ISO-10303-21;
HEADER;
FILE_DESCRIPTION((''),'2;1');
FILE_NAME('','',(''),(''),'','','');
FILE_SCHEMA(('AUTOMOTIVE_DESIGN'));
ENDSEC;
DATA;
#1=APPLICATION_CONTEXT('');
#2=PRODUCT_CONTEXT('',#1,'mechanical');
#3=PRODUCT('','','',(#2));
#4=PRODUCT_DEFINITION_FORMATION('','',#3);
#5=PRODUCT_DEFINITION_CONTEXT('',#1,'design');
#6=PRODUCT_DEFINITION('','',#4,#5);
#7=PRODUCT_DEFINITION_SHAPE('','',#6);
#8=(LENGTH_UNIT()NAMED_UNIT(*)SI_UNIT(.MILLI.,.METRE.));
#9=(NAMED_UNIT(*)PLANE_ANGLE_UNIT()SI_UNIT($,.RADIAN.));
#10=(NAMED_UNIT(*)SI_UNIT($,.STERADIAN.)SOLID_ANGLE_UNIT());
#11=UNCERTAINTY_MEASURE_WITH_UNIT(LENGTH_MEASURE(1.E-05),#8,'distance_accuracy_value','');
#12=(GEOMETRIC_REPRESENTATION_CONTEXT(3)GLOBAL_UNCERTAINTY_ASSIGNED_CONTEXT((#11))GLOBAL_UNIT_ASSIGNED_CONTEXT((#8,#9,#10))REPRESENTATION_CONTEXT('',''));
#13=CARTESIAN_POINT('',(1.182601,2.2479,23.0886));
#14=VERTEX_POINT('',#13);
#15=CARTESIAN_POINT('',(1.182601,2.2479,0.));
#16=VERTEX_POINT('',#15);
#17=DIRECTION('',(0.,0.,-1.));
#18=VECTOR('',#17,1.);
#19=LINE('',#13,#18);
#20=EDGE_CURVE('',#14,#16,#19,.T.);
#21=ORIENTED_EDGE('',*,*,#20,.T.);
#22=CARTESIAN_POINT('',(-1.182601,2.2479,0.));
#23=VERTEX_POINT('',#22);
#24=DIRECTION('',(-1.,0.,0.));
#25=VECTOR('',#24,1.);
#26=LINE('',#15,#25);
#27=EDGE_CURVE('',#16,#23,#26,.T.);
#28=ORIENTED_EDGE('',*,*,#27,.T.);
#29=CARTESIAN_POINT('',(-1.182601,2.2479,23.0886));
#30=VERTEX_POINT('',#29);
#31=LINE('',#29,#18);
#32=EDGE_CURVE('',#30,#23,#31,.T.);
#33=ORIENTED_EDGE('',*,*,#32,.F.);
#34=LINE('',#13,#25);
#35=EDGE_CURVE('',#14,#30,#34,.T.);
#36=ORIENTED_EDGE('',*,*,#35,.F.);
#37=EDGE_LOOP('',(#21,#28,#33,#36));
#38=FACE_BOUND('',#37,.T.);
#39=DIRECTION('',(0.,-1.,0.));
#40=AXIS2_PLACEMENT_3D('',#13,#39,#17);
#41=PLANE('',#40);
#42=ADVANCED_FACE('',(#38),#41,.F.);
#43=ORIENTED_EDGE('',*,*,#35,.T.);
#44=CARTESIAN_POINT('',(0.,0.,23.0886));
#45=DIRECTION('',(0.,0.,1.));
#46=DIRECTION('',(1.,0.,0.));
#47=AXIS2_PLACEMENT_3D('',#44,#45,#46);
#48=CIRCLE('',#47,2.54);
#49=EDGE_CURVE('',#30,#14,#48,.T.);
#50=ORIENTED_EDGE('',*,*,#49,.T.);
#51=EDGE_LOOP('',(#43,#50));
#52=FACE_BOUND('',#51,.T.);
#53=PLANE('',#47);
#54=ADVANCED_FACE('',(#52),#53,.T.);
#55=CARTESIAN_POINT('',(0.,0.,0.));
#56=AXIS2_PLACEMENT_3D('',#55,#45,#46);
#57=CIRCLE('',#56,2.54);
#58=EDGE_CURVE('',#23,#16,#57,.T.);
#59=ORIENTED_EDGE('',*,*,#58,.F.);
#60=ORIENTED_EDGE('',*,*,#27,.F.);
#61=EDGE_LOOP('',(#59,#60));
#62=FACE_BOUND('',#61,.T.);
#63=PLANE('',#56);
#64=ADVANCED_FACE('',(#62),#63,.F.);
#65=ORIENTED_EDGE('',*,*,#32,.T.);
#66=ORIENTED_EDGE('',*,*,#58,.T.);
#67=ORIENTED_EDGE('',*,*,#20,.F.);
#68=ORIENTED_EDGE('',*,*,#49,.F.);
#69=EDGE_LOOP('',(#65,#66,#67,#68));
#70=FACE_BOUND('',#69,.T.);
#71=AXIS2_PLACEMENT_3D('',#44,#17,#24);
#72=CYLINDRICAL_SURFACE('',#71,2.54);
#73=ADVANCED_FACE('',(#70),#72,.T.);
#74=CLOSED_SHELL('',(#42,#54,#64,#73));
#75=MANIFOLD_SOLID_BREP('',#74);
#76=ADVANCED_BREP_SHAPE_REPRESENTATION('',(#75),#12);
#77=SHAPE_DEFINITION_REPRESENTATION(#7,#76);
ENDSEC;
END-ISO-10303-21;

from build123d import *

# Parameters (mm, degrees)
SKETCH1_R           = 2.54
BOSS_EXTRUDE1_DEPTH = 23.0886
CUT_EXTRUDE1_DEPTH  = 23.0886


with BuildPart() as part:
    # Sketch1 → Boss-Extrude1 (new body)
    with BuildSketch(Plane.XY):
        Circle(SKETCH1_R)
        with BuildLine():
            Line((-1.182601197, 2.2479), (1.182601197, 2.2479))
            ThreePointArc((1.182601197, 2.2479), (0, 2.54), (-1.182601197, 2.2479))
        make_face()
    extrude(amount=BOSS_EXTRUDE1_DEPTH)

    # Sketch2 → Cut-Extrude1 (cut)
    with BuildSketch(Plane(origin=(0, 0, 0), x_dir=(-1, 0, 0), z_dir=(0, 0, -1))):
        with BuildLine():
            Line((-1.182601197, 2.2479), (1.182601197, 2.2479))
            ThreePointArc((1.182601197, 2.2479), (0, 2.54), (-1.182601197, 2.2479))
        make_face()
    extrude(amount=-CUT_EXTRUDE1_DEPTH, mode=Mode.SUBTRACT)


solid = part.part
